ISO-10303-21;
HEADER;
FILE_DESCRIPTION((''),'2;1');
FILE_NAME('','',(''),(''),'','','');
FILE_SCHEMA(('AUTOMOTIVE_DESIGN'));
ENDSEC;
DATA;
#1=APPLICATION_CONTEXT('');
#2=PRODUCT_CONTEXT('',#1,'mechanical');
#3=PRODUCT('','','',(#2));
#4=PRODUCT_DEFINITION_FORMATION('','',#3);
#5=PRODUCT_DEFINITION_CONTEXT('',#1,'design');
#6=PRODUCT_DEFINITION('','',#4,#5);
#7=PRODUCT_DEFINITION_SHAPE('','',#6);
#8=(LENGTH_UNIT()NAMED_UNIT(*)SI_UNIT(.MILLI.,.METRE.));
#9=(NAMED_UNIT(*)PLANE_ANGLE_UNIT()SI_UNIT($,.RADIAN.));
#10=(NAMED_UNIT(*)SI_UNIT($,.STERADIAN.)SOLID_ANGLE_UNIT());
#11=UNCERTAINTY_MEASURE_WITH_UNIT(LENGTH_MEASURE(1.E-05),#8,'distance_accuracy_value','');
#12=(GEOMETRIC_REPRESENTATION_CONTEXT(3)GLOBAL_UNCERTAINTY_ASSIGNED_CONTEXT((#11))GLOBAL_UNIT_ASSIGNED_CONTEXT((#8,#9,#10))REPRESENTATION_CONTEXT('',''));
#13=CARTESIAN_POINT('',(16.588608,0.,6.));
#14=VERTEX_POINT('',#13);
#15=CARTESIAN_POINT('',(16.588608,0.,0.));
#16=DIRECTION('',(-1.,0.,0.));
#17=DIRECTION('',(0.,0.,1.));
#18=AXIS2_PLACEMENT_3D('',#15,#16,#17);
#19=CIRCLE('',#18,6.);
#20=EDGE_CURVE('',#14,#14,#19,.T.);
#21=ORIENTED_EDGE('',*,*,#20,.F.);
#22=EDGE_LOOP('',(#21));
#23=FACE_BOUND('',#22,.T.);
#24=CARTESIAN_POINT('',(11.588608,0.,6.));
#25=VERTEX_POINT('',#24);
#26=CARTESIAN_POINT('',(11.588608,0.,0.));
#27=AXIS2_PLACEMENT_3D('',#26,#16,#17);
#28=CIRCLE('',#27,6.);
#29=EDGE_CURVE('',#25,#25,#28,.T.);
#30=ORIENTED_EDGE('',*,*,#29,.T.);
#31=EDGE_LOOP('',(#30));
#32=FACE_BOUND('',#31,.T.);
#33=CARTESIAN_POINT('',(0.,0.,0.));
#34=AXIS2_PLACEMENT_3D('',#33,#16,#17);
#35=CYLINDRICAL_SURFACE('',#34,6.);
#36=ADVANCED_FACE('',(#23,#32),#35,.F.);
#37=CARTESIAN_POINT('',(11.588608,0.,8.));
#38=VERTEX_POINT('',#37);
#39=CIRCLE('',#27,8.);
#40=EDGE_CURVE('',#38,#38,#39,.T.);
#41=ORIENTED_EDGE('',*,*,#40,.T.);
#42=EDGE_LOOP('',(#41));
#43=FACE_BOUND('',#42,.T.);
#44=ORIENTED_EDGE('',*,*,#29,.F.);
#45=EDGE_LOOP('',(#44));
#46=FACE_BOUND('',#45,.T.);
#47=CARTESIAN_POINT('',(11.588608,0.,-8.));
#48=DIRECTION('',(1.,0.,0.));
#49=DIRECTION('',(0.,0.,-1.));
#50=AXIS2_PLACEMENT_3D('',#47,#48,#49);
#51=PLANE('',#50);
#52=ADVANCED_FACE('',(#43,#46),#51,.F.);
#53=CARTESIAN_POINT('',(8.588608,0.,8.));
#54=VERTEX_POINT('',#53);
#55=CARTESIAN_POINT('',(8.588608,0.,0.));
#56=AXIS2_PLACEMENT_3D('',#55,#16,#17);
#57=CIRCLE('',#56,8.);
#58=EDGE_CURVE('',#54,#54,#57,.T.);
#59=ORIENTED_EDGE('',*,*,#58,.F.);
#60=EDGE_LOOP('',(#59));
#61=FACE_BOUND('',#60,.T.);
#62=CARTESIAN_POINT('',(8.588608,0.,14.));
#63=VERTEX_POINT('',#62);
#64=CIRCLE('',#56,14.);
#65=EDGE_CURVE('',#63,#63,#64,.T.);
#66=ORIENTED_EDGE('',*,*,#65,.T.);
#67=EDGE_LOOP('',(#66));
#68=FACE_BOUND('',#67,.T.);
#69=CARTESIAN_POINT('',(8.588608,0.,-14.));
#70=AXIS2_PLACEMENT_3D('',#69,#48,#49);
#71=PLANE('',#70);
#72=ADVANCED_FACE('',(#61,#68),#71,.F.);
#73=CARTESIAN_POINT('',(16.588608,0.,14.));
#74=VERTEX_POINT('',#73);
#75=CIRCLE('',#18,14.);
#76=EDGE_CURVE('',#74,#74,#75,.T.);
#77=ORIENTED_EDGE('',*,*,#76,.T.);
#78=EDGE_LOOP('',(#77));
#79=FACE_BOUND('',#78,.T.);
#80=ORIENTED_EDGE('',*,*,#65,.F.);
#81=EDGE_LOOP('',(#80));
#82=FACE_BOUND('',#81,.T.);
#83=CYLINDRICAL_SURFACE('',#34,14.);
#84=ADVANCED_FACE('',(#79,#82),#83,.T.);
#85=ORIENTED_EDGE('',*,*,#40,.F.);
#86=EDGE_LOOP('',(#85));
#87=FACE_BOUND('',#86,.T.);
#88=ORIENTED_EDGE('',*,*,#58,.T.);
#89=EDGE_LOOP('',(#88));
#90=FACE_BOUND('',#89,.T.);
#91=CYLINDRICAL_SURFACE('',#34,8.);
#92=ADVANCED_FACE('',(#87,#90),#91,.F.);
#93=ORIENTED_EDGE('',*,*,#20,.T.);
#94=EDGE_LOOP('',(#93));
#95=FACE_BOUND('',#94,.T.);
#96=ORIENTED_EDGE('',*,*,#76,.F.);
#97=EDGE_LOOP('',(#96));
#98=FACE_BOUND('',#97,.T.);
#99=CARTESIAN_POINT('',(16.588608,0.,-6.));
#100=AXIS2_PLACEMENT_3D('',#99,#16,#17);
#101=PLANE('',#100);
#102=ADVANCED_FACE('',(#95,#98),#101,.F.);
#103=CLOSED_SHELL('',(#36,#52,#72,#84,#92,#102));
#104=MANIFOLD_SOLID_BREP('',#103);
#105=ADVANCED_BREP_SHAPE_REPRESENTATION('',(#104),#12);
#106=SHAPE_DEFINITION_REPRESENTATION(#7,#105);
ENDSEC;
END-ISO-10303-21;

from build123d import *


with BuildPart() as part:
    # Sketch3 → Revolve1 (revolve)
    with BuildSketch(Plane(origin=(0, 0, 0), x_dir=(1, 0, 0), z_dir=(0, 1, 0)), mode=Mode.PRIVATE) as revolve1_sk:
        Polygon((8.588608185, 14), (8.588608185, 8), (11.588608185, 8), (11.588608185, 6), (16.588608185, 6), (16.588608185, 14), align=None)
    revolve(revolve1_sk.sketch.rotate(Axis((0, 0, 0), (1, 0, 0)), 180), axis=Axis((0, 0, 0), (1, 0, 0)))


solid = part.part
